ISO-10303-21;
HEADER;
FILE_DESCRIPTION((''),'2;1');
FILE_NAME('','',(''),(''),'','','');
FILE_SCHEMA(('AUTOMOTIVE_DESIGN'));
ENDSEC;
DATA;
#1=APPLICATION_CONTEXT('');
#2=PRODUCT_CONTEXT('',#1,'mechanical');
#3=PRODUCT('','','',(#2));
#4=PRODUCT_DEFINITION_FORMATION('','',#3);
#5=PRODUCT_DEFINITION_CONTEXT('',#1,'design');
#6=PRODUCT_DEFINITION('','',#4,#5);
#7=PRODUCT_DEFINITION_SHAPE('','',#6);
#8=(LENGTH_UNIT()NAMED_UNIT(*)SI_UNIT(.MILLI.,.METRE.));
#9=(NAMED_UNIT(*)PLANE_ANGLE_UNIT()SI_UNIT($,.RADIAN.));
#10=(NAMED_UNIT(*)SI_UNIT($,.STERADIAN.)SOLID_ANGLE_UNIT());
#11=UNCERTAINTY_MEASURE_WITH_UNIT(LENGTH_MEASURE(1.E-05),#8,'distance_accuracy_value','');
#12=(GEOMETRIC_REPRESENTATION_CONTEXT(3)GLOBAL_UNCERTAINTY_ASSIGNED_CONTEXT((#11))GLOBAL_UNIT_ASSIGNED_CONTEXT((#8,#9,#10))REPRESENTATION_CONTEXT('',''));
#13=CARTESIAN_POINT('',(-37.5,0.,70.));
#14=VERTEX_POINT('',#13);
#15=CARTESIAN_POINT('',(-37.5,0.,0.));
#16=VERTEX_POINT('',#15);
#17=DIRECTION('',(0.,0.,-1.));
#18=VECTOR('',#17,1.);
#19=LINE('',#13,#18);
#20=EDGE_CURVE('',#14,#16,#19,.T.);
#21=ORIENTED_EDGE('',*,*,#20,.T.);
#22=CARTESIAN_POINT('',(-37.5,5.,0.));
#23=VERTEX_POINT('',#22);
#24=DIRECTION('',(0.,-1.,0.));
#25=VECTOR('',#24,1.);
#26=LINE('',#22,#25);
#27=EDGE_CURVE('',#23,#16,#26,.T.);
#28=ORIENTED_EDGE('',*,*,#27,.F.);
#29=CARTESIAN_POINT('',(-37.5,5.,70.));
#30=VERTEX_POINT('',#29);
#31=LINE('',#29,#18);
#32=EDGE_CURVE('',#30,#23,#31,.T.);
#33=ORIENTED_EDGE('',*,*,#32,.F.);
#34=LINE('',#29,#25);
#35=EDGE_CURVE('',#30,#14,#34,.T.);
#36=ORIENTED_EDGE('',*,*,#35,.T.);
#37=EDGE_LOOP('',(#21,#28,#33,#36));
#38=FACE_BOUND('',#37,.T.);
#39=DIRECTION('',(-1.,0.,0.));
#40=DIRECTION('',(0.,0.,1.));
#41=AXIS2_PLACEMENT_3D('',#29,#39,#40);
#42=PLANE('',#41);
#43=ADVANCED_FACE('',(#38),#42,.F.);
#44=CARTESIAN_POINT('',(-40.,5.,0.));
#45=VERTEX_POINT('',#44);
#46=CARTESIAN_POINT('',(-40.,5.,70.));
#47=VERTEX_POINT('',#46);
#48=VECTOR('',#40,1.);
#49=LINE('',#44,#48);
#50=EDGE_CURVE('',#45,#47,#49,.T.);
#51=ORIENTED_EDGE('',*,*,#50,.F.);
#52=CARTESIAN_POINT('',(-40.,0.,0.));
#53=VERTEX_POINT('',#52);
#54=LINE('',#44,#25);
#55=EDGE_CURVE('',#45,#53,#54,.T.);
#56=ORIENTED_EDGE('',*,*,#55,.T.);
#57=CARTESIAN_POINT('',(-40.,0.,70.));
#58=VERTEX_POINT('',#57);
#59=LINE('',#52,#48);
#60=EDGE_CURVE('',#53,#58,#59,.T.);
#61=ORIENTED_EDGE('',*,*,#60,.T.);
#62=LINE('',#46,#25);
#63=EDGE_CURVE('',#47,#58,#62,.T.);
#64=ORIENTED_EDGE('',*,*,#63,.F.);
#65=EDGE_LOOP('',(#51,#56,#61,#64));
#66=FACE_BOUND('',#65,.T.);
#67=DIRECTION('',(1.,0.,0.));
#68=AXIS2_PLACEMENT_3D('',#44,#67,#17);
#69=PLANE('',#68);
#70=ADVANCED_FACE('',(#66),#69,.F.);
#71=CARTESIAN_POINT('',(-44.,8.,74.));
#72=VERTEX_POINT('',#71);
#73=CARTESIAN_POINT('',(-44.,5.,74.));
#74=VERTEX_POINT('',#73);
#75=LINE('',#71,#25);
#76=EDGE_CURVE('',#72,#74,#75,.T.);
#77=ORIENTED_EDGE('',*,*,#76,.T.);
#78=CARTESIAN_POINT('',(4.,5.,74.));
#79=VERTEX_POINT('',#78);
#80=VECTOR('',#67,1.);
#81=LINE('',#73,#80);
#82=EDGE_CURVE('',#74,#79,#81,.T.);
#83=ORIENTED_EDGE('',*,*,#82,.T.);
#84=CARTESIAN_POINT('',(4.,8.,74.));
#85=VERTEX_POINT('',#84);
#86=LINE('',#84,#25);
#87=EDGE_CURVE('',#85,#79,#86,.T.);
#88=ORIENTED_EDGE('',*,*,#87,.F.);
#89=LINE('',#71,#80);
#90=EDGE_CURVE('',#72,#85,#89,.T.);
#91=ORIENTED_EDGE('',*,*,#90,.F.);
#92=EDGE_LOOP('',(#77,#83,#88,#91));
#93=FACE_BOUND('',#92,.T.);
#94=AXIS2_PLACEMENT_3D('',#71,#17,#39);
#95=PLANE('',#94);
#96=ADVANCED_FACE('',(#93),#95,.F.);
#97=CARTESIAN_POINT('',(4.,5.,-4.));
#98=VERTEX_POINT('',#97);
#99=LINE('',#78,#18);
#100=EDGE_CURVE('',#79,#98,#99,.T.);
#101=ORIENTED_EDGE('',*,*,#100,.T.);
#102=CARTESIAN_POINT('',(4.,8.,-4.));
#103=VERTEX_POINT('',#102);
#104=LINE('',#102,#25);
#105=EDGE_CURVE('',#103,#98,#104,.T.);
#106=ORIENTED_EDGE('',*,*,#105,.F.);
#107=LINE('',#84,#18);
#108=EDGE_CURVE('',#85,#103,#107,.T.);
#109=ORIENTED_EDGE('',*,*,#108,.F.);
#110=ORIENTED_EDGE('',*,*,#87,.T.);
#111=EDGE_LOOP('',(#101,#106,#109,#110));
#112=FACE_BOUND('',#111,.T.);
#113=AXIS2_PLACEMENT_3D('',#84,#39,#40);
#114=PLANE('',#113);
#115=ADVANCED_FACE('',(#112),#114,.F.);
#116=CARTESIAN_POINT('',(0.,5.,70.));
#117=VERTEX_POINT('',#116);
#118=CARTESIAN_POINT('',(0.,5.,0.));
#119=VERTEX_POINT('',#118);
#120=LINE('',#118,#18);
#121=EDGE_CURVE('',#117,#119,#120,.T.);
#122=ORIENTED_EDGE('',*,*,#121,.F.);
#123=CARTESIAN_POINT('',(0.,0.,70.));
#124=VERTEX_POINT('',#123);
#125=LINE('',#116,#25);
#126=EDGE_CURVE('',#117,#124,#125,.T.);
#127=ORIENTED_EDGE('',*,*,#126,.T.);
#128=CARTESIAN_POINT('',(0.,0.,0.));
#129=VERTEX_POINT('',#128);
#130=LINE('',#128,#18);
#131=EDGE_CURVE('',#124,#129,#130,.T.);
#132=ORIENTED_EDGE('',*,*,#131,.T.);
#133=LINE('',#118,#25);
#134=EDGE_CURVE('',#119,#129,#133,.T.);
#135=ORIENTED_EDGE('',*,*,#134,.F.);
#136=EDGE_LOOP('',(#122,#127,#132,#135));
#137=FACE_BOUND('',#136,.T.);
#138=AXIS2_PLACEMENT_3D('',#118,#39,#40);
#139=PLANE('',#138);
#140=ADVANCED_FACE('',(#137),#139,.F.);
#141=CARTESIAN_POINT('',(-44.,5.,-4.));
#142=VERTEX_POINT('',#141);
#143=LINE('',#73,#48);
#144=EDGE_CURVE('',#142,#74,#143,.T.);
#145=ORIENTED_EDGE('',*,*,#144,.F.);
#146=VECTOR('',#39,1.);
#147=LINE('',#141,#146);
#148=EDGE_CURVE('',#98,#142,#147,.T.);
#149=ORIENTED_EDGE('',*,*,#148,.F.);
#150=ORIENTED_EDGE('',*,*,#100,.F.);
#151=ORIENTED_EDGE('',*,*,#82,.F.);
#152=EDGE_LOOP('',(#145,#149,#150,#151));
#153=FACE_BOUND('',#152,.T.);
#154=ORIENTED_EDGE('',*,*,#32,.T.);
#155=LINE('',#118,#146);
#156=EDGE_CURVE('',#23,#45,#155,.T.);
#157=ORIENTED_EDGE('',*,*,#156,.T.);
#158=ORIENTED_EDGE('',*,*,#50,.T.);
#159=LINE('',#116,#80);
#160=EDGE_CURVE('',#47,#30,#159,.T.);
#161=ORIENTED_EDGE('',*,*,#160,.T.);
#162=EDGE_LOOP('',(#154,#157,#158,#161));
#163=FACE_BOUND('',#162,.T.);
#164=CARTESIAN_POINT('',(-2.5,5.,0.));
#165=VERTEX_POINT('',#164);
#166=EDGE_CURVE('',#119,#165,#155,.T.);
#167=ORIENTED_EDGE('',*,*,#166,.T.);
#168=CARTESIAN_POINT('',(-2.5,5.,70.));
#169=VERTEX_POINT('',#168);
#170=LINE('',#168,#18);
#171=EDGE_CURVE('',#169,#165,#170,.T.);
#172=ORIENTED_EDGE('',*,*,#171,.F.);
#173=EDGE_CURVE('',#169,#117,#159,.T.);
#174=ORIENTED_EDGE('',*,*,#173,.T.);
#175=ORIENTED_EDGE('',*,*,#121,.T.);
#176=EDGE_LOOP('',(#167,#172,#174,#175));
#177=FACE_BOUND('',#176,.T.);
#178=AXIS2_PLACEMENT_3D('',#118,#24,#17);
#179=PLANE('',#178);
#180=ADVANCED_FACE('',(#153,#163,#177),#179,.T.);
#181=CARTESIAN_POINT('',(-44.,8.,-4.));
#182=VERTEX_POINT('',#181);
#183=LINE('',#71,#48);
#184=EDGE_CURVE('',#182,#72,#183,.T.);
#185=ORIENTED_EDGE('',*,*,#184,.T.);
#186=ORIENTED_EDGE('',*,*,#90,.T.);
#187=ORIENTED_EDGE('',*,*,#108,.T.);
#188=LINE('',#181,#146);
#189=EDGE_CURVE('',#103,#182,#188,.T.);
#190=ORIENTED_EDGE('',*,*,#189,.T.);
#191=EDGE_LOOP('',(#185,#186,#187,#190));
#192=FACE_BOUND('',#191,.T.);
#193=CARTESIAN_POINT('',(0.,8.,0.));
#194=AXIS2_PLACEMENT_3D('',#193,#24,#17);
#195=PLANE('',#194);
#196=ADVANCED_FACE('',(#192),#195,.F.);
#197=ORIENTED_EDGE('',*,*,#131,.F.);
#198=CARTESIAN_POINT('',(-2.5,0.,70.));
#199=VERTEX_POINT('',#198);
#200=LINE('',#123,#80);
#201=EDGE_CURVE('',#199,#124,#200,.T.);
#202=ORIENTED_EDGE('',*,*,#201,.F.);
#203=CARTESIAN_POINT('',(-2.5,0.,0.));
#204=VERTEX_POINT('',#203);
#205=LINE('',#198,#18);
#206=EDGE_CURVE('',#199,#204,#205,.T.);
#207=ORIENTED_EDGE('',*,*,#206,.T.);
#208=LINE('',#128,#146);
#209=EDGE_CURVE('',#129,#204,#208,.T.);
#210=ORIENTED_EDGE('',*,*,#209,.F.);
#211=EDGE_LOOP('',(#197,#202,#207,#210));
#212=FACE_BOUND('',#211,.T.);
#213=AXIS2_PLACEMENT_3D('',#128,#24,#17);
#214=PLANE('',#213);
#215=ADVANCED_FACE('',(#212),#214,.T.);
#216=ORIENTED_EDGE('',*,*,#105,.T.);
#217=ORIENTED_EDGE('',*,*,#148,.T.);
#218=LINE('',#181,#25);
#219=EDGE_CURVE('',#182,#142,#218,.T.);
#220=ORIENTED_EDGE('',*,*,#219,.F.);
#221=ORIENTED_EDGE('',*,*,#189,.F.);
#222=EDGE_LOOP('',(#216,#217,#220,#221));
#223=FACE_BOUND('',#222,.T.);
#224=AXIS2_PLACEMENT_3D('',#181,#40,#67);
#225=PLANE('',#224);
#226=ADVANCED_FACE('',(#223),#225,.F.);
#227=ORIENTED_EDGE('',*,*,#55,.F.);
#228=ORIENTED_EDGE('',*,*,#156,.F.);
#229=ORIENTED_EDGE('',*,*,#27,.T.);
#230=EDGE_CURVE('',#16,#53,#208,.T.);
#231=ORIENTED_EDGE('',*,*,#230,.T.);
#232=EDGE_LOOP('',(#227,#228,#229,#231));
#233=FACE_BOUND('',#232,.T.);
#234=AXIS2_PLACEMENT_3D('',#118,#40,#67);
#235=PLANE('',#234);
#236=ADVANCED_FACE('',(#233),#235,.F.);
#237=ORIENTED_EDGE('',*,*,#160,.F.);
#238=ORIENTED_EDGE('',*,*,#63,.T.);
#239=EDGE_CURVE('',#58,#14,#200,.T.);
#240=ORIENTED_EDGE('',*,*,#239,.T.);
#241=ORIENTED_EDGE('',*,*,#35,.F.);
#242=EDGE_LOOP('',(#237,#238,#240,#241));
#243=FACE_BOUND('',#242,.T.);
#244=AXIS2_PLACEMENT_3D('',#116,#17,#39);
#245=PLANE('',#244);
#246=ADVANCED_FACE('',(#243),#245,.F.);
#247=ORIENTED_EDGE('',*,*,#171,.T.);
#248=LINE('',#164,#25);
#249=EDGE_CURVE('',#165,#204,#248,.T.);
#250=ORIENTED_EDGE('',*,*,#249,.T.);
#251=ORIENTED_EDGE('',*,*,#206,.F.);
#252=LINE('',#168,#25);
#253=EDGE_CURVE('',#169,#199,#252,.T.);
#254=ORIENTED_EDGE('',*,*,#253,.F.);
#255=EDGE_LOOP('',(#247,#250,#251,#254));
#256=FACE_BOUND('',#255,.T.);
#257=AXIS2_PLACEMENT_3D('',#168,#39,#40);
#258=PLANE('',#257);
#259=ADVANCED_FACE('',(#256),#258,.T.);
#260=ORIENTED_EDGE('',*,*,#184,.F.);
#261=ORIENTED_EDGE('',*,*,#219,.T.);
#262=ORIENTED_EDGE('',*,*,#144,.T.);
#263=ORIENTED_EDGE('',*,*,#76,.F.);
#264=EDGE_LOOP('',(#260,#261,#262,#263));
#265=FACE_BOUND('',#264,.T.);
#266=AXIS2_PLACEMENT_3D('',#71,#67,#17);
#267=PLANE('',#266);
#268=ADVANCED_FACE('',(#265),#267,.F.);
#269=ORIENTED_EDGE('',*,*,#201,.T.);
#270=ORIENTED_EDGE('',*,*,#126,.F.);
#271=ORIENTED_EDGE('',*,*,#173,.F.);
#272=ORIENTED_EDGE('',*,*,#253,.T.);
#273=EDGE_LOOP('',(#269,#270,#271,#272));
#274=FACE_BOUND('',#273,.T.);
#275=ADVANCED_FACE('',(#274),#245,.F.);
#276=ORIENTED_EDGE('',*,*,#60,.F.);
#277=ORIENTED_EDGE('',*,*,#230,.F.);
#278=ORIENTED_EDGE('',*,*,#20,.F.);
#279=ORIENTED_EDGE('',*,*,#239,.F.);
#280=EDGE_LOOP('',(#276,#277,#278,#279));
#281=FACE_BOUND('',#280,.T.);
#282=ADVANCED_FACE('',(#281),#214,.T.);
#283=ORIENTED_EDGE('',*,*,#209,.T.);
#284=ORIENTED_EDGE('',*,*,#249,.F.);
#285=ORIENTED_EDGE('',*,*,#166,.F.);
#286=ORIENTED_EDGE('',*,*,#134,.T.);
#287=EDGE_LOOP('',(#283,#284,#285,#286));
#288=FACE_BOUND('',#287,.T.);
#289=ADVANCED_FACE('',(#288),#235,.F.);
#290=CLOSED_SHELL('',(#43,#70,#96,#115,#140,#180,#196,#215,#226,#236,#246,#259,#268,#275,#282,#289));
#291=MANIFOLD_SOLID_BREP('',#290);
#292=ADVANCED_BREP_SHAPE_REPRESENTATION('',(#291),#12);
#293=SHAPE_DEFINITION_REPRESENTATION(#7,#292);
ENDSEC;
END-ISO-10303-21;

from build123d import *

# Parameters (mm, degrees)
CROQUIS1_W              = 40
CROQUIS1_H              = 70
SALIENTE_EXTRUIR1_DEPTH = 5
CROQUIS3_W              = 48
CROQUIS3_H              = 78
SALIENTE_EXTRUIR3_DEPTH = 3
CROQUIS5_W              = 35
CROQUIS5_H              = 70
CORTAR_EXTRUIR1_DEPTH   = 5


with BuildPart() as part:
    # Croquis1 → Saliente-Extruir1 (new body)
    with BuildSketch(Plane(origin=(0, 0, 0), x_dir=(1, 0, 0), z_dir=(0, 1, 0))):
        with Locations((-20, -35)):
            Rectangle(CROQUIS1_W, CROQUIS1_H)
    extrude(amount=SALIENTE_EXTRUIR1_DEPTH)

    # Croquis3 → Saliente-Extruir3 (add)
    with BuildSketch(Plane(origin=(0, 5, 0), x_dir=(1, 0, 0), z_dir=(0, 1, 0))):
        with Locations((-20, -35)):
            Rectangle(CROQUIS3_W, CROQUIS3_H)
    extrude(amount=SALIENTE_EXTRUIR3_DEPTH)

    # Croquis5 → Cortar-Extruir1 (cut)
    with BuildSketch(Plane.XZ):
        with Locations((-20, 35)):
            Rectangle(CROQUIS5_W, CROQUIS5_H)
    extrude(amount=-CORTAR_EXTRUIR1_DEPTH, mode=Mode.SUBTRACT)


solid = part.part
